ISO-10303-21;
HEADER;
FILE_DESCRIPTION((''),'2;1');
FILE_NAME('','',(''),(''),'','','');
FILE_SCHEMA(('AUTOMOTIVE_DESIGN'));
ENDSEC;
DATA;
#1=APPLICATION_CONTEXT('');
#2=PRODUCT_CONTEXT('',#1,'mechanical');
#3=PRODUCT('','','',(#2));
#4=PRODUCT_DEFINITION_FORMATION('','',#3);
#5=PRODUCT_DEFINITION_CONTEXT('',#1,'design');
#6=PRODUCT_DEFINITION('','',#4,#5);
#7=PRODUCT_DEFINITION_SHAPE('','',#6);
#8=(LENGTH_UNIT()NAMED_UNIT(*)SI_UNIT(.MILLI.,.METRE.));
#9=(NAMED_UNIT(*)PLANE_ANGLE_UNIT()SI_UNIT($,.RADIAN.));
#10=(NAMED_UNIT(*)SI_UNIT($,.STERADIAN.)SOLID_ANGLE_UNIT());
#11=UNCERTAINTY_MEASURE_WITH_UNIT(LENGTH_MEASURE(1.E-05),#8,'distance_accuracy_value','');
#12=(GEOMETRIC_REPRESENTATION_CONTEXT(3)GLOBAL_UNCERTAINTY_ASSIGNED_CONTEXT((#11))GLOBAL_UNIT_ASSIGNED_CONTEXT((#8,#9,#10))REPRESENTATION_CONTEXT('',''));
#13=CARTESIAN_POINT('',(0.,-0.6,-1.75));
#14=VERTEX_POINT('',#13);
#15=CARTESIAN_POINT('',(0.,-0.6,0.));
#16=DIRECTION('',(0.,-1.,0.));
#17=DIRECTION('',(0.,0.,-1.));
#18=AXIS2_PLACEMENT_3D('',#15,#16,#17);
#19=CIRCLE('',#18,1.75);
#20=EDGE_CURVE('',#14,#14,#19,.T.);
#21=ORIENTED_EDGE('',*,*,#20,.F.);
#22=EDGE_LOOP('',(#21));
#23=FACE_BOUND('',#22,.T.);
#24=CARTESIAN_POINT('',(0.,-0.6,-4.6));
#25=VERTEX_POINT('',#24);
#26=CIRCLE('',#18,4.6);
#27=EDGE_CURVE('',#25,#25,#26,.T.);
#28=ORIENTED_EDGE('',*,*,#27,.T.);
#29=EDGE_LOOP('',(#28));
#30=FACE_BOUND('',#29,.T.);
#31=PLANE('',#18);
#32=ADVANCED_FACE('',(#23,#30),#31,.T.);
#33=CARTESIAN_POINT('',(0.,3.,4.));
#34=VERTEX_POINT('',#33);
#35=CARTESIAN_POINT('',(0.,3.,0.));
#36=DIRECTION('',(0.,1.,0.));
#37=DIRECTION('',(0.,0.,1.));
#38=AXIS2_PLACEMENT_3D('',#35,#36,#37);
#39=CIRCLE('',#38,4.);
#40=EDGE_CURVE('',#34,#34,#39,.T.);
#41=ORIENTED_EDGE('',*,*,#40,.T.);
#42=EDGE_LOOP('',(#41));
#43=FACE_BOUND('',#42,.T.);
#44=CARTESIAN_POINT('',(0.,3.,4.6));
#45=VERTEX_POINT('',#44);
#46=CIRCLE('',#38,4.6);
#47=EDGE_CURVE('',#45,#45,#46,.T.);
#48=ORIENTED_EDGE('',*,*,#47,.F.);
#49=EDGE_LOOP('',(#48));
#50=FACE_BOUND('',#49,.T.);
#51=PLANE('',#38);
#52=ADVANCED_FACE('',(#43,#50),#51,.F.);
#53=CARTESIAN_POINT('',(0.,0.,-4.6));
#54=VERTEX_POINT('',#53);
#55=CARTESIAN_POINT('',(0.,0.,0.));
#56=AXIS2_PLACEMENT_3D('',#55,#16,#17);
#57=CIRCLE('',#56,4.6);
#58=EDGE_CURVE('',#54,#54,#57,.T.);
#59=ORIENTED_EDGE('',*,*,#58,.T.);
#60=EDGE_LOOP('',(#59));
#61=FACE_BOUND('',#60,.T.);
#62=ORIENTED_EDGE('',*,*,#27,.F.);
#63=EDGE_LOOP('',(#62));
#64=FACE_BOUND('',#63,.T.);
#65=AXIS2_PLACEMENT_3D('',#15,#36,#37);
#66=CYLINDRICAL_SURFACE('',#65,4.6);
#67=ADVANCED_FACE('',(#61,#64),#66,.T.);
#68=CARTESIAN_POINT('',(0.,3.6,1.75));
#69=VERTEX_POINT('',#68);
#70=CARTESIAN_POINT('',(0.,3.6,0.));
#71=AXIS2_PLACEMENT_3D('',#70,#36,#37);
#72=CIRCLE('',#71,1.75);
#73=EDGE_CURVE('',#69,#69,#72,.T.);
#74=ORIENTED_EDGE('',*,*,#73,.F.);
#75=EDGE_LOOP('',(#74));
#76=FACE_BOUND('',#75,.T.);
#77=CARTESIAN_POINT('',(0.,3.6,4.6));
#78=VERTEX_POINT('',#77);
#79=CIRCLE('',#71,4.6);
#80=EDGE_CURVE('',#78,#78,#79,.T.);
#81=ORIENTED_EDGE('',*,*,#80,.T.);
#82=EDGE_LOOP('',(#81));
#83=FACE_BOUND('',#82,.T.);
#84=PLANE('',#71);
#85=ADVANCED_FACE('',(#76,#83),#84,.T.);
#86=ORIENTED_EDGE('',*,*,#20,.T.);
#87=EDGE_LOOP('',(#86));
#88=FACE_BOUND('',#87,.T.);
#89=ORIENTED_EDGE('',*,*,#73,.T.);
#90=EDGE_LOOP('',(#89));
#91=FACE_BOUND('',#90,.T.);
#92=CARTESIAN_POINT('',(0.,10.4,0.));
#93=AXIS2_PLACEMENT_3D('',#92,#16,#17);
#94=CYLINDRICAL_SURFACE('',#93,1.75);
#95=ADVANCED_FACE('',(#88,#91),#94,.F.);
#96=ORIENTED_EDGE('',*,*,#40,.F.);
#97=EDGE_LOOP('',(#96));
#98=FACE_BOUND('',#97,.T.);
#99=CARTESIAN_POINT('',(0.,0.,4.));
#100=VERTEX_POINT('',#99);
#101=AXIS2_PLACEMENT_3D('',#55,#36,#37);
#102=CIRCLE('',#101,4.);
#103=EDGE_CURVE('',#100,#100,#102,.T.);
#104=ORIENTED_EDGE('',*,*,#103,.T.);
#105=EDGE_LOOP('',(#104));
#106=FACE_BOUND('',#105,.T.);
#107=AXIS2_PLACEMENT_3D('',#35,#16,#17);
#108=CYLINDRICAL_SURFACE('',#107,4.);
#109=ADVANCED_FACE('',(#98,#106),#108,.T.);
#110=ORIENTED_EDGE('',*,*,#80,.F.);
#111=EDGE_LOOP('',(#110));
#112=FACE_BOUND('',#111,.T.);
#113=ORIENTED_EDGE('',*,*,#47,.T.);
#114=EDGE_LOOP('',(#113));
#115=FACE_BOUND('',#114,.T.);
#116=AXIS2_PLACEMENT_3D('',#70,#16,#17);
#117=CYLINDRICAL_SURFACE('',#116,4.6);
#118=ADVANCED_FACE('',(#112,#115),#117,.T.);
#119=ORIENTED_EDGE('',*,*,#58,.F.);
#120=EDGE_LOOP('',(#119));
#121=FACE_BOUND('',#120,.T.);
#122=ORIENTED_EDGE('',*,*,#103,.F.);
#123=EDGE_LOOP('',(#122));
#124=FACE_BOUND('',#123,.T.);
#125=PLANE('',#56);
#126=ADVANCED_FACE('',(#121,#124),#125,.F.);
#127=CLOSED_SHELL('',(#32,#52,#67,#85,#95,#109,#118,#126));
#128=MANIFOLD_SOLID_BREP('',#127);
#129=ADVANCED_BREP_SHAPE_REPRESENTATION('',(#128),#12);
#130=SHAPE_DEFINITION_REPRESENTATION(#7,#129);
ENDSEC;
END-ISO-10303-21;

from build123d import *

# Parameters (mm, degrees)
SKETCH_1_R          = 4
EXTRUDE_1_DEPTH     = 3
SKETCH_3_R          = 4.6
EXTRUDE_2_DEPTH     = 0.6
EXTRUDE_START       = 0.6
SKETCH_4_R          = 4.6
EXTRUDE_3_DEPTH     = 0.6
SKETCH_5_R          = 1.75
CUT_EXTRUDE_1_DEPTH = 11


with BuildPart() as part:
    # 草图1 → 凸台-拉伸1 (new body)
    with BuildSketch(Plane(origin=(0, 0, 0), x_dir=(1, 0, 0), z_dir=(0, 1, 0))):
        with Locations(Location((0, 0, 0), (0, 0, 270))):
            Circle(SKETCH_1_R)
    extrude(amount=EXTRUDE_1_DEPTH)

    # 草图3 → 凸台-拉伸2 (add)
    with BuildSketch(Plane(origin=(0, 3, 0), x_dir=(1, 0, 0), z_dir=(0, 1, 0))):
        with Locations(Location((0, 0, 0), (0, 0, 270))):
            Circle(SKETCH_3_R)
    extrude(amount=EXTRUDE_2_DEPTH)

    # 草图4 → 凸台-拉伸3 (add)
    with BuildSketch(Plane.XZ.offset(EXTRUDE_START)):
        with Locations(Location((0, 0, 0), (0, 0, 90))):
            Circle(SKETCH_4_R)
    extrude(amount=-EXTRUDE_3_DEPTH)

    # 草图5 → 切除-拉伸1 (cut)
    with BuildSketch(Plane.XZ.offset(0.6)):
        with Locations(Location((0, 0, 0), (0, 0, 270))):
            Circle(SKETCH_5_R)
    extrude(amount=-CUT_EXTRUDE_1_DEPTH, mode=Mode.SUBTRACT)


solid = part.part
